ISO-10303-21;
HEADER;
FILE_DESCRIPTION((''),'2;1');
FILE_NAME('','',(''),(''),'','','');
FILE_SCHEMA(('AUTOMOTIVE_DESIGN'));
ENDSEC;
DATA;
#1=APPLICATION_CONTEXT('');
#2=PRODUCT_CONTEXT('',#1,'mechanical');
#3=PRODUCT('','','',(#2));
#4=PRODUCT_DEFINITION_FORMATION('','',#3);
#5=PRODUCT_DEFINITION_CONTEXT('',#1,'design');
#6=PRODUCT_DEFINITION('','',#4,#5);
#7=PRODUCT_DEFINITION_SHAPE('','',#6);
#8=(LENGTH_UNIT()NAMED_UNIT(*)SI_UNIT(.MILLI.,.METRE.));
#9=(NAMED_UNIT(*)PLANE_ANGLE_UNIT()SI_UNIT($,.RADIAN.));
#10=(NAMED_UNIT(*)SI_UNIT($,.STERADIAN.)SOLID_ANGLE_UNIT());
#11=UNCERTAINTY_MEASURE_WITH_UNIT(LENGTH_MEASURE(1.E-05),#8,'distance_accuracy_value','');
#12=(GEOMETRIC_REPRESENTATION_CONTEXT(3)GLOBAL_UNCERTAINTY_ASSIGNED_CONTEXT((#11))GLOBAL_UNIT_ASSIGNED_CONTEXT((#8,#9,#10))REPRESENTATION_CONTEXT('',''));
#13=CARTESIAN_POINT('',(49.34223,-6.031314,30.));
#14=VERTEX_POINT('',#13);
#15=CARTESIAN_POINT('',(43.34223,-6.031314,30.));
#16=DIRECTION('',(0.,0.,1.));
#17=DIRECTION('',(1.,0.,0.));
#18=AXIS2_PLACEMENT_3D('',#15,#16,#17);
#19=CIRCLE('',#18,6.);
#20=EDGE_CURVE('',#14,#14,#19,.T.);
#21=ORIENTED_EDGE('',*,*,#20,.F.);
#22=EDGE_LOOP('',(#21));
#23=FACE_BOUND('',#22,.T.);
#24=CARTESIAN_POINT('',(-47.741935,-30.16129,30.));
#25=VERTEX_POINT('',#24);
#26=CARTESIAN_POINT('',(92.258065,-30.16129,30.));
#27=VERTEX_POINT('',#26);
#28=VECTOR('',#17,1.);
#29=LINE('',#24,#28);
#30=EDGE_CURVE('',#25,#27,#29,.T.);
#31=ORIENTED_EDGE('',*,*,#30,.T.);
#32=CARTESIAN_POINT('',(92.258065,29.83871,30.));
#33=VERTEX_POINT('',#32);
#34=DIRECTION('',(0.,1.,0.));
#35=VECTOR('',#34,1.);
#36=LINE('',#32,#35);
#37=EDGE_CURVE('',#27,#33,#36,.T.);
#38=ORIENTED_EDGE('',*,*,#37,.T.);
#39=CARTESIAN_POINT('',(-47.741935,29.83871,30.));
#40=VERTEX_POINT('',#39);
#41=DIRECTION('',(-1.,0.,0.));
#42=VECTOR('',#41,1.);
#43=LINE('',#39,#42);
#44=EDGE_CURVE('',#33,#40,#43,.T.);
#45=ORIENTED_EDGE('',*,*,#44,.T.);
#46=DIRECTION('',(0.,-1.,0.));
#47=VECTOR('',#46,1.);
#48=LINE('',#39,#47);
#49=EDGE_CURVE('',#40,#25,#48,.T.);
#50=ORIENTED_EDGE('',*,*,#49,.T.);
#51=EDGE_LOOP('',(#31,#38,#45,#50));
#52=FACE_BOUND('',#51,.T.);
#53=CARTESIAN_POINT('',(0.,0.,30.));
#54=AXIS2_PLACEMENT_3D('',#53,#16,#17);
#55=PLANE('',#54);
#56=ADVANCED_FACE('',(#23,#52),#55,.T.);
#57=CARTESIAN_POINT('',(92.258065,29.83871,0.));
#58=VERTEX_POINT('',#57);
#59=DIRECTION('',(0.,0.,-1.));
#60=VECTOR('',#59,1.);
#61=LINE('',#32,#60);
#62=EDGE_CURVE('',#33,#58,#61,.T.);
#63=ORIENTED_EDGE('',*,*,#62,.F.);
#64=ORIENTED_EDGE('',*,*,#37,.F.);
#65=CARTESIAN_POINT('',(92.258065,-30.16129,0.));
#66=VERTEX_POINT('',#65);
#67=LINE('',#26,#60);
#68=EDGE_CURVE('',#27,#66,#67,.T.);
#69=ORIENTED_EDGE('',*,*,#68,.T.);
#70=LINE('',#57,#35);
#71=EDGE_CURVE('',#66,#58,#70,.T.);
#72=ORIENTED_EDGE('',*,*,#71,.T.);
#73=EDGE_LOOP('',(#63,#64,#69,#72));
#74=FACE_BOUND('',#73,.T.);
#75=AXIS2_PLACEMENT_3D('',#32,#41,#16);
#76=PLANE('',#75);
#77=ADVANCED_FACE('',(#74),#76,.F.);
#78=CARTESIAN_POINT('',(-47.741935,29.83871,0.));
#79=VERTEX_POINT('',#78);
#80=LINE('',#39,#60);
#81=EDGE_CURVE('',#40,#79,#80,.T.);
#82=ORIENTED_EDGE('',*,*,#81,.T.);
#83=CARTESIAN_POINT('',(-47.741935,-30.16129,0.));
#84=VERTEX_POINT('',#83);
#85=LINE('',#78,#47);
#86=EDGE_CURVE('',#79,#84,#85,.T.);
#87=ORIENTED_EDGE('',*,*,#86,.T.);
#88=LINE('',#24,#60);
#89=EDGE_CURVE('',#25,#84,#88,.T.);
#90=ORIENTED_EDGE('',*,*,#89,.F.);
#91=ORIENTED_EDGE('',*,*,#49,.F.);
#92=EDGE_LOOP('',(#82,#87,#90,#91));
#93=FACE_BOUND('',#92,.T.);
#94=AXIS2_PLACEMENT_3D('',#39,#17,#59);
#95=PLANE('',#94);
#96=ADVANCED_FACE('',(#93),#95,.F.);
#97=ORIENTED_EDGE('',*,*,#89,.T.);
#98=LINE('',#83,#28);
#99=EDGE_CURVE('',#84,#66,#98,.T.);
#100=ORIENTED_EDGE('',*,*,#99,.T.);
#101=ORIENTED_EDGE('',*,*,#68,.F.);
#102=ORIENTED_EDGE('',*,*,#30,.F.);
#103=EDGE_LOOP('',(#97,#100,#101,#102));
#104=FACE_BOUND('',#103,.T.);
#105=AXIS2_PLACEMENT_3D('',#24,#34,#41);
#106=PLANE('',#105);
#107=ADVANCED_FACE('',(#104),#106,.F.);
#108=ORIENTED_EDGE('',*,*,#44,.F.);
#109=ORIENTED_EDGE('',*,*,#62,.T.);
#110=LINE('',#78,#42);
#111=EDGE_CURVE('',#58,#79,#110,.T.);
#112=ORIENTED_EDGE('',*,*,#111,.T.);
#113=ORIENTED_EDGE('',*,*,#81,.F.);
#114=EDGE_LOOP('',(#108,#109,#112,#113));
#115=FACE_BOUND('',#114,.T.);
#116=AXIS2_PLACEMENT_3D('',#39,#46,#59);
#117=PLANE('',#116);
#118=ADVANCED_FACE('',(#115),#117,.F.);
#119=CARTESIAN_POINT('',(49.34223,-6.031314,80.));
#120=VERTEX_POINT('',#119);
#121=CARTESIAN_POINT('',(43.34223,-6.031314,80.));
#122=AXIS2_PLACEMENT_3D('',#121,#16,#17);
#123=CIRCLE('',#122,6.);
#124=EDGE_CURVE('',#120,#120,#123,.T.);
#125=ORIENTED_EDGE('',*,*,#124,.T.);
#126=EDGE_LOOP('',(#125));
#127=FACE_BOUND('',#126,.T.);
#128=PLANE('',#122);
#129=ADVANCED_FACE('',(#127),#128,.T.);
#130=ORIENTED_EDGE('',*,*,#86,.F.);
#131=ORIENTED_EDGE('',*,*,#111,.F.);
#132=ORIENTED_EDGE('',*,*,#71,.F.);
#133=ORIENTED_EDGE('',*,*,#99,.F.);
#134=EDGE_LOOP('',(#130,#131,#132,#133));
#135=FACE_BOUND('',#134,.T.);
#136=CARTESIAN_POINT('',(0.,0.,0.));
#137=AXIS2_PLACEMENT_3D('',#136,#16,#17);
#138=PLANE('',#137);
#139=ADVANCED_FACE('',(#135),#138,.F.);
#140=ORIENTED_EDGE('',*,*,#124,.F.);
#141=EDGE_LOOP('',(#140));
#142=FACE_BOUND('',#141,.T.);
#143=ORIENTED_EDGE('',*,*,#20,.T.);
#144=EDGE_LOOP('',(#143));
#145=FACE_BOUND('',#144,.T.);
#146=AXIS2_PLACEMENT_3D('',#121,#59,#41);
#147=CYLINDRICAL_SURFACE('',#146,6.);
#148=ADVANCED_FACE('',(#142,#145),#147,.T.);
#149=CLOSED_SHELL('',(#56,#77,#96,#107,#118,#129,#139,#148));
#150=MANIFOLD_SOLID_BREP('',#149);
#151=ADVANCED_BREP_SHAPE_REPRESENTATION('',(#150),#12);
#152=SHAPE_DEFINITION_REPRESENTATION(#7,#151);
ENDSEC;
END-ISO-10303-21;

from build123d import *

# Parameters (mm, degrees)
IZIM2_W                     = 140
IZIM2_H                     = 60
Y_KSEKLIK_EKSTR_ZYON2_DEPTH = 30
IZIM3_R                     = 6
Y_KSEKLIK_EKSTR_ZYON3_DEPTH = 50


with BuildPart() as part:
    # Çizim2 → Yükseklik-Ekstrüzyon2 (new body)
    with BuildSketch(Plane.XY):
        with Locations((22.258064516, -0.161290323)):
            Rectangle(IZIM2_W, IZIM2_H)
    extrude(amount=Y_KSEKLIK_EKSTR_ZYON2_DEPTH)

    # Çizim3 → Yükseklik-Ekstrüzyon3 (add)
    with BuildSketch(Plane.XY.offset(30)):
        with Locations((43.342230404, -6.03131378)):
            Circle(IZIM3_R)
    extrude(amount=Y_KSEKLIK_EKSTR_ZYON3_DEPTH)


solid = part.part
